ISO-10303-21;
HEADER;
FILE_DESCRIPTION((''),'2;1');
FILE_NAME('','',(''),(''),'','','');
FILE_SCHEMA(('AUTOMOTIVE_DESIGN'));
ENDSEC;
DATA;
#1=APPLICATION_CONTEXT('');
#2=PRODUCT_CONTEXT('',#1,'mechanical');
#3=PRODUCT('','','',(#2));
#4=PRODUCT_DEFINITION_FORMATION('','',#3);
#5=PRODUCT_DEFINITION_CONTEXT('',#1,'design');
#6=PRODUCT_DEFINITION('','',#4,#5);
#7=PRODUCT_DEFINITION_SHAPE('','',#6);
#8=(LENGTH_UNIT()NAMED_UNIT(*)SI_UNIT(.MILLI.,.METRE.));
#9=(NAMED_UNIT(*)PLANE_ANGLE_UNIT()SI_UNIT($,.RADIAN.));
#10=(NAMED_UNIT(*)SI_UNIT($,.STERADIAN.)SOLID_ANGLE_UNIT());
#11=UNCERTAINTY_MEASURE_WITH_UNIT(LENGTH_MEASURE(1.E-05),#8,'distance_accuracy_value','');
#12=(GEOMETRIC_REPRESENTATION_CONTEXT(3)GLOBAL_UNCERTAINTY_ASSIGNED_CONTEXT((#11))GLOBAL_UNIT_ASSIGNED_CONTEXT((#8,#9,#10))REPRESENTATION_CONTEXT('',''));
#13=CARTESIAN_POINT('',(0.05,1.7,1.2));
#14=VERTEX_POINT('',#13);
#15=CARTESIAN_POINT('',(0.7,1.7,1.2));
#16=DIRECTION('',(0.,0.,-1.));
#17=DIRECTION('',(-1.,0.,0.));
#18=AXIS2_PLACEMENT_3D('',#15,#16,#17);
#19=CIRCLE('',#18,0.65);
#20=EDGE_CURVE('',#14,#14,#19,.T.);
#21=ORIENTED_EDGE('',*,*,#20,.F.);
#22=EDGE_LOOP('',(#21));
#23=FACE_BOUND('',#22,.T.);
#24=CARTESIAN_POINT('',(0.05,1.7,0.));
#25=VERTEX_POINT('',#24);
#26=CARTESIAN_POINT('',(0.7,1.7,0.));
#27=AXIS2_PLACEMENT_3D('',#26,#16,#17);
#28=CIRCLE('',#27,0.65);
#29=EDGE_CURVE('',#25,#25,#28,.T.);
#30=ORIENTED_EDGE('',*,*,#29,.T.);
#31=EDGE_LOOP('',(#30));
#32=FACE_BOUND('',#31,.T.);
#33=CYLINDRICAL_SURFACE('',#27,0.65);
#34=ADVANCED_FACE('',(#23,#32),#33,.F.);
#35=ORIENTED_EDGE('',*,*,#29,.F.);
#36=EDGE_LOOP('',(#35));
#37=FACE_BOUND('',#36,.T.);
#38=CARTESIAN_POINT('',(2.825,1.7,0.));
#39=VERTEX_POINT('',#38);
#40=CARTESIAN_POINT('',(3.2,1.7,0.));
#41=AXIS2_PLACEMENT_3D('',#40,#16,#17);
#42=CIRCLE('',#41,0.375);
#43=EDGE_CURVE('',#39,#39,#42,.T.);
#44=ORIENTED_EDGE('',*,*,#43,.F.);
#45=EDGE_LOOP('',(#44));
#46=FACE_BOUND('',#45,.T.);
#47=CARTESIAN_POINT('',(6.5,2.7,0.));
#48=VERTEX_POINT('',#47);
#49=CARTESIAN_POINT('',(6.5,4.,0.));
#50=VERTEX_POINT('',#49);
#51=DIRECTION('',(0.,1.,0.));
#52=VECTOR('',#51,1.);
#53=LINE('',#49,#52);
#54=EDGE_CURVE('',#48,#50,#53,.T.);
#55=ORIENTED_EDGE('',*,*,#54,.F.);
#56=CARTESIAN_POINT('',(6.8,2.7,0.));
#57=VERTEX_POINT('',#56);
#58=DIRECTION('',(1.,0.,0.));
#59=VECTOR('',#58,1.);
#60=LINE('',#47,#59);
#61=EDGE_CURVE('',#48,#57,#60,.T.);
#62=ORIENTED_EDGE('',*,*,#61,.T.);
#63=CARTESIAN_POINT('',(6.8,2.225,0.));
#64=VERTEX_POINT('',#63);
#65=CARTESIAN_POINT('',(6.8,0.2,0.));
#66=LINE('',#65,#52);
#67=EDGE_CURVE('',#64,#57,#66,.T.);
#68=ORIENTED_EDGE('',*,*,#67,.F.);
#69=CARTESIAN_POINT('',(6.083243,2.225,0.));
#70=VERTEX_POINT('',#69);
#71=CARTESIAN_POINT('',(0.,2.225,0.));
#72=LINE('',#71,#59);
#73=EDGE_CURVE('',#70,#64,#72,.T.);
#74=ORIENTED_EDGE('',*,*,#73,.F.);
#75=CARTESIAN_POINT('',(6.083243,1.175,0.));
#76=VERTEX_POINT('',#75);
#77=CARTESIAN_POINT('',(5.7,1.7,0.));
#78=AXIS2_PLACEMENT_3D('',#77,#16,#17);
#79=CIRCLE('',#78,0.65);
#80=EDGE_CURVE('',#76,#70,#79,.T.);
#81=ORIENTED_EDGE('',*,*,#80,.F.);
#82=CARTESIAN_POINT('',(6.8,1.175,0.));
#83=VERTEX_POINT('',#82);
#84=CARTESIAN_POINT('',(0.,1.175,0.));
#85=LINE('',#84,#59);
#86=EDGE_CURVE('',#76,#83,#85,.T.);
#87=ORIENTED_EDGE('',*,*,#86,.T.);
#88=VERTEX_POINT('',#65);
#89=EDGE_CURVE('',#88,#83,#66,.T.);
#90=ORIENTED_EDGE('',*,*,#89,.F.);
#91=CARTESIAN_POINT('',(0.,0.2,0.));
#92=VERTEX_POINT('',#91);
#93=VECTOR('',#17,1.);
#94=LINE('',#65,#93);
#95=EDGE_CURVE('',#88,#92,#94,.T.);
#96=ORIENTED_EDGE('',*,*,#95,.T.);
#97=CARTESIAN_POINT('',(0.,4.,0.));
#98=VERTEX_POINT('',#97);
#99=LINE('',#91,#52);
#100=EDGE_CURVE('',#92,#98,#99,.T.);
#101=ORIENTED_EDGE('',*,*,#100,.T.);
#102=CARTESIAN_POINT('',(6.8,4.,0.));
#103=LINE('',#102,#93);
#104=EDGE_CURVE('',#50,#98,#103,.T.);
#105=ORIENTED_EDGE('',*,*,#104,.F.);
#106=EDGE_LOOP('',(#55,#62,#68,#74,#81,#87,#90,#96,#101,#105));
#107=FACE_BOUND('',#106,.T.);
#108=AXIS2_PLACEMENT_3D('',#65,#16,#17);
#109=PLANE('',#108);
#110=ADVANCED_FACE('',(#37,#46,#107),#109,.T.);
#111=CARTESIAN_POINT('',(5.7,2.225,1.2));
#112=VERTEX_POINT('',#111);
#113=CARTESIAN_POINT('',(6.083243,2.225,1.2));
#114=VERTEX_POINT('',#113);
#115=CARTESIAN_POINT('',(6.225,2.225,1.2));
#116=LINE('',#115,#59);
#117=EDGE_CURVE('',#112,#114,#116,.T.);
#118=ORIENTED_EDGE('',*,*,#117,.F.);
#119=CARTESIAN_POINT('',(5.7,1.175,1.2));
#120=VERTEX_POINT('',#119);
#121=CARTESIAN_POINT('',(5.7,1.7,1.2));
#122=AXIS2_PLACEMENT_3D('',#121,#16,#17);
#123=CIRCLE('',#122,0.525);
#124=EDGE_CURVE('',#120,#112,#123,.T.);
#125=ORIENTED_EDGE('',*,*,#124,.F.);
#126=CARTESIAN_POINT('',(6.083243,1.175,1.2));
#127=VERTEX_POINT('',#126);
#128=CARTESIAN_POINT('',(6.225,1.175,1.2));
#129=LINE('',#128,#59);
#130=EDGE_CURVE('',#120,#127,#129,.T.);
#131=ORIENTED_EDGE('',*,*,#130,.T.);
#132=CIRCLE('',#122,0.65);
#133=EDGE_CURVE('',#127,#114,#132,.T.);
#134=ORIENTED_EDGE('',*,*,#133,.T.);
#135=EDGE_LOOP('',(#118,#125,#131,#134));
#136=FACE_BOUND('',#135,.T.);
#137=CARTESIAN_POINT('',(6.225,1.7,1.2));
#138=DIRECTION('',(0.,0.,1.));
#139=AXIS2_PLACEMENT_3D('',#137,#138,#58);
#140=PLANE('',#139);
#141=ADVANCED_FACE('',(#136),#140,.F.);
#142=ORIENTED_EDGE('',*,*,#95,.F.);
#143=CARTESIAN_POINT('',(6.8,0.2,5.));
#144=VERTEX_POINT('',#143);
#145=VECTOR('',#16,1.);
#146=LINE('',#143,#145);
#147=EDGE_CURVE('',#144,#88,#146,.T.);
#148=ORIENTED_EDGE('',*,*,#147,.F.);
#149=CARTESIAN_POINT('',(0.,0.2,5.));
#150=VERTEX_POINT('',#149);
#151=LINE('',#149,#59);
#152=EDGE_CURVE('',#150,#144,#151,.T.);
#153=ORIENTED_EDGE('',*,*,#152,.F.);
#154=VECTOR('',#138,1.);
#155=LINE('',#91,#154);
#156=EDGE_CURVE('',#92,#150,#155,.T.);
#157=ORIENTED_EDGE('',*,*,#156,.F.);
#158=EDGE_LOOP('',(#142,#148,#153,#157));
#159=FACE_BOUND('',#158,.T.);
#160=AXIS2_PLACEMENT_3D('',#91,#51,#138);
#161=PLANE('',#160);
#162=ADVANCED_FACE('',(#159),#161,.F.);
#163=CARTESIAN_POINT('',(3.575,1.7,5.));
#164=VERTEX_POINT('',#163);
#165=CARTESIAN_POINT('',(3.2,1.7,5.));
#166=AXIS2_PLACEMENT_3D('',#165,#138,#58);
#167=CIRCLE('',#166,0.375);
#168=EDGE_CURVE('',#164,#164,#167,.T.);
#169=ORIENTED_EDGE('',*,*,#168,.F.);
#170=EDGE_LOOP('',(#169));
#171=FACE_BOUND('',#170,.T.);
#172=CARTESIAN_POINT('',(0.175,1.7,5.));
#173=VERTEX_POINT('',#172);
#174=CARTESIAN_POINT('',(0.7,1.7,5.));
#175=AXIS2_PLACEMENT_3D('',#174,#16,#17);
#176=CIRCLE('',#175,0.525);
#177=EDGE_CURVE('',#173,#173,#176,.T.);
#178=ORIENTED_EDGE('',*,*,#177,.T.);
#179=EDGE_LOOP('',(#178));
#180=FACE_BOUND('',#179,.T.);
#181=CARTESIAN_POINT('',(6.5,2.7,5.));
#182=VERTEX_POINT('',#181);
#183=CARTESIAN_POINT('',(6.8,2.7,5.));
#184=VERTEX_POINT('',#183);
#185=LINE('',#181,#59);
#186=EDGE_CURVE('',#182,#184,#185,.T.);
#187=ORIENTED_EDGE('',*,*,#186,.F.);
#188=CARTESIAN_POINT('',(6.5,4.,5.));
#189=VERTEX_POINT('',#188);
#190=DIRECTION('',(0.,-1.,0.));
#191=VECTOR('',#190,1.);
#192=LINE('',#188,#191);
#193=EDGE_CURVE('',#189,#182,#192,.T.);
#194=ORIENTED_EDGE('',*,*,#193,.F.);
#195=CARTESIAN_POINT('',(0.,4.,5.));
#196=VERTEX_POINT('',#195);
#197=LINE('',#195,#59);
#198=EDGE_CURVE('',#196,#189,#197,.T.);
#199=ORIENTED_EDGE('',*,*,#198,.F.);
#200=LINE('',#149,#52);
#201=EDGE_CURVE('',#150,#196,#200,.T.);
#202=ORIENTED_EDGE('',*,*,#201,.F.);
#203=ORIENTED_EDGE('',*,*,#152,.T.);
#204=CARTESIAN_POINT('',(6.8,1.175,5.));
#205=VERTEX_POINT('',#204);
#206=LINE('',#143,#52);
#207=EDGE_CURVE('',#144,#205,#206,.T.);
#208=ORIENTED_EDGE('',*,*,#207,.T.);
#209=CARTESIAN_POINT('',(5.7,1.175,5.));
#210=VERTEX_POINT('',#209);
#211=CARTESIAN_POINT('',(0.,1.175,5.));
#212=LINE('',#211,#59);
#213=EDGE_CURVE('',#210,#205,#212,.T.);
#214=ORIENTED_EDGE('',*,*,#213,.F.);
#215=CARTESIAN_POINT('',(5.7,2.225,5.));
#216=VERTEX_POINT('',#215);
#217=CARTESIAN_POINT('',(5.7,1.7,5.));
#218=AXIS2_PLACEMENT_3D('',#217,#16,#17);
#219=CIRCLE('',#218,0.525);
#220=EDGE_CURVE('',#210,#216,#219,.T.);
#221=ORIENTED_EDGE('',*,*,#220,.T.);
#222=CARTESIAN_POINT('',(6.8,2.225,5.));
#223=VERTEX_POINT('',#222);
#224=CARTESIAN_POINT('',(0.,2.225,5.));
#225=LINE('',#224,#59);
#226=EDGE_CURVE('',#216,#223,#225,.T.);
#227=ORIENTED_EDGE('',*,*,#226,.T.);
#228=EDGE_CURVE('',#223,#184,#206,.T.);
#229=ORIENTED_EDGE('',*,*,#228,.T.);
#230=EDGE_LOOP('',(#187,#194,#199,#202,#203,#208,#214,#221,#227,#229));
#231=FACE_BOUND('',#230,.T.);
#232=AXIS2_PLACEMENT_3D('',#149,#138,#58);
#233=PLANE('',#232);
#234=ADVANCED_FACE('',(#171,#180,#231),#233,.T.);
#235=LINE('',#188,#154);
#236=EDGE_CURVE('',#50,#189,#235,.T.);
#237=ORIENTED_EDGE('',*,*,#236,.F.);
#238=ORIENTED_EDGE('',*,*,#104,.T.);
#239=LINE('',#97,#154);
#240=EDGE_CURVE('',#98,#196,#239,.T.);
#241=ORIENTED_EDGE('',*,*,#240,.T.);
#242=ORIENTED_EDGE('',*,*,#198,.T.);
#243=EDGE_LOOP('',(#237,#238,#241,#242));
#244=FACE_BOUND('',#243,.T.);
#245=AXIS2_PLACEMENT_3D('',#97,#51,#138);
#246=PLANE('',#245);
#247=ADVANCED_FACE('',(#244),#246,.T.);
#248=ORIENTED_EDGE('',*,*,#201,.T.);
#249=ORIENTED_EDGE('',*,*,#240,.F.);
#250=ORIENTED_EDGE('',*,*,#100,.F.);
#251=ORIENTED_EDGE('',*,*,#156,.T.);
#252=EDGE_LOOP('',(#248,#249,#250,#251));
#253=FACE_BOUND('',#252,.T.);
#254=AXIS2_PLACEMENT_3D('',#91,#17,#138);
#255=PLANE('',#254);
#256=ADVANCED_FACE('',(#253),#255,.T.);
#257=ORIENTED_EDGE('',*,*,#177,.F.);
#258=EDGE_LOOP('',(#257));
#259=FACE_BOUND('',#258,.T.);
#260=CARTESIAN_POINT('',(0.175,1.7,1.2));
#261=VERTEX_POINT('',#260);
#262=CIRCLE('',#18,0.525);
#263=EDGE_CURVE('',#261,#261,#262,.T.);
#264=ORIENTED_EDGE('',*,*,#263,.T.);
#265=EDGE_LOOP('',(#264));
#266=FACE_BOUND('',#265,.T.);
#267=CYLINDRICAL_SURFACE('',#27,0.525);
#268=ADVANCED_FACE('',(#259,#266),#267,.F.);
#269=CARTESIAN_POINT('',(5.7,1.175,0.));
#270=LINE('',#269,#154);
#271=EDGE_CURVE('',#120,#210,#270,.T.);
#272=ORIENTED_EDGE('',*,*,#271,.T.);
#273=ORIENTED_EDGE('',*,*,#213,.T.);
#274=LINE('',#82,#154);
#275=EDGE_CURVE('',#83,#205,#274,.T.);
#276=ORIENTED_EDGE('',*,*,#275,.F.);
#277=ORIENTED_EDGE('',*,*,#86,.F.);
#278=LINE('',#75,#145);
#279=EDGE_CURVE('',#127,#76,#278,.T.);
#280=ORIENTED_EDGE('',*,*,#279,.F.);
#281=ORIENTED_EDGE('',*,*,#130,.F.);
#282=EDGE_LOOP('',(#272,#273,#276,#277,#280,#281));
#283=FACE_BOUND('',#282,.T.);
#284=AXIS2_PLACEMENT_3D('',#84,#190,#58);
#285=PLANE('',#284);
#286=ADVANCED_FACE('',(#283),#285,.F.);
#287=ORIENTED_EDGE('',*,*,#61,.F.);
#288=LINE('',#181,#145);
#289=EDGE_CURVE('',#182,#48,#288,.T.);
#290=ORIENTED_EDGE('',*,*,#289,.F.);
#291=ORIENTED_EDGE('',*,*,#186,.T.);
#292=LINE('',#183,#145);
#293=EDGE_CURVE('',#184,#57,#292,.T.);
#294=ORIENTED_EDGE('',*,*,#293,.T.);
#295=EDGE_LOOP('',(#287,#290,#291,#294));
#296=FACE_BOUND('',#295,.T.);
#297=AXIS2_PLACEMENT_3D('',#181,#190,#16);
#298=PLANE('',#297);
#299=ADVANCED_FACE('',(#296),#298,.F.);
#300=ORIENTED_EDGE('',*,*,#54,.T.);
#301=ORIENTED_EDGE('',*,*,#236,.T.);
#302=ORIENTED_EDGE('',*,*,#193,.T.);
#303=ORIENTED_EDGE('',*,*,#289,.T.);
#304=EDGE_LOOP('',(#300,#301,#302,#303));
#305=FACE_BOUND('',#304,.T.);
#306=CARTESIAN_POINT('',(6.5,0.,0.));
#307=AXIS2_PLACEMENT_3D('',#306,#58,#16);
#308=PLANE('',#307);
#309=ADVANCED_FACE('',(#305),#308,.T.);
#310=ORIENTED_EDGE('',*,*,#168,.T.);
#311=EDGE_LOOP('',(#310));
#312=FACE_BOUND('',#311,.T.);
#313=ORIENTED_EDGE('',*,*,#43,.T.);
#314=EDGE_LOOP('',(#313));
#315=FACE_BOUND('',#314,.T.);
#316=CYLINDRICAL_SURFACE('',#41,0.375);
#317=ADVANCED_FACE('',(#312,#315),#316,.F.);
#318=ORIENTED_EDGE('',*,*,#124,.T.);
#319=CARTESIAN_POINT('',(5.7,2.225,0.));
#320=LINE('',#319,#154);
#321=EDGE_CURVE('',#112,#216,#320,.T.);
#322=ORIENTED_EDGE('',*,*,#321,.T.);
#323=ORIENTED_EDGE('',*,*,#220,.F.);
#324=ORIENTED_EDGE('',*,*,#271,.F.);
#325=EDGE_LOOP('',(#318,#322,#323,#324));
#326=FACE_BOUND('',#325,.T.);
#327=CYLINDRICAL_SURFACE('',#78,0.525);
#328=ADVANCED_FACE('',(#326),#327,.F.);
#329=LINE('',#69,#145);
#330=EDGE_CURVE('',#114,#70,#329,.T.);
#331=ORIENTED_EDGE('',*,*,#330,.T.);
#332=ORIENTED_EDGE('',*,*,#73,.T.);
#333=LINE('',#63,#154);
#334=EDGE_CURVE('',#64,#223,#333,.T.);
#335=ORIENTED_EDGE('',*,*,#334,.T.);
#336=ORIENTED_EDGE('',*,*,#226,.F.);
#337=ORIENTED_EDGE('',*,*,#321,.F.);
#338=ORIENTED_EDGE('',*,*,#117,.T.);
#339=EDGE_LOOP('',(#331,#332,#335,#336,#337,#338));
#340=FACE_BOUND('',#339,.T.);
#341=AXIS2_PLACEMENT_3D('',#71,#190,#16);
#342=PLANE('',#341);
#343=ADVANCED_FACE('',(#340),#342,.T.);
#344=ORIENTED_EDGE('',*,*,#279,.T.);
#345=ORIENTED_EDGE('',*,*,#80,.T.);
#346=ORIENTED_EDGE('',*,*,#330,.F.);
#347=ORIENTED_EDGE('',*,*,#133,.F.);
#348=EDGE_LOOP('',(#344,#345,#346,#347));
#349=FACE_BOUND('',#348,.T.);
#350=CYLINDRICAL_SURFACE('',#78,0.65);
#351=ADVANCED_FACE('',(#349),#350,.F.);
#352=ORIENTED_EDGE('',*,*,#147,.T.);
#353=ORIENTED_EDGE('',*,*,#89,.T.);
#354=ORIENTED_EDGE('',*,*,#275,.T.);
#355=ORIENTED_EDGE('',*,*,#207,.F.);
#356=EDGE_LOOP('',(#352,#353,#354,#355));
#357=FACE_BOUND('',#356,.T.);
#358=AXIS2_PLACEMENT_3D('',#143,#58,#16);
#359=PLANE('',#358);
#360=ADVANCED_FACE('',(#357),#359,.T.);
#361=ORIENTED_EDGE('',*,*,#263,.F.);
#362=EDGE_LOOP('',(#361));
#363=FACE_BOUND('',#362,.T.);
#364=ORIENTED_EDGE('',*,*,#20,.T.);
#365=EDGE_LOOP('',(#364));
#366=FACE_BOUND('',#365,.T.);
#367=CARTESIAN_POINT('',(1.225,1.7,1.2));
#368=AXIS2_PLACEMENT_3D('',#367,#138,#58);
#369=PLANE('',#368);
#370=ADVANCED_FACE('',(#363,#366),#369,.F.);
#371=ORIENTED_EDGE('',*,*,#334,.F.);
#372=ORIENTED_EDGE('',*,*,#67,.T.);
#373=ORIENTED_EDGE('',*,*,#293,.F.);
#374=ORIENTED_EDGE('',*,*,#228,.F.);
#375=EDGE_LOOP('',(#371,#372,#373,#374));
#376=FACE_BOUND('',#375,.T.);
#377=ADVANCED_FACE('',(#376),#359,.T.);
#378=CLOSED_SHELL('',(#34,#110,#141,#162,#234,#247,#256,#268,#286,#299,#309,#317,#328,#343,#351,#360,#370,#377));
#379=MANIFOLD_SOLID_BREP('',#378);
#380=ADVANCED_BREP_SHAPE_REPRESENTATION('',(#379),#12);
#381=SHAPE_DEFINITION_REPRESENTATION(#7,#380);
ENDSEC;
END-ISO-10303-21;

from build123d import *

# Parameters (mm, degrees)
SKETCH1_W                = 6.8
SKETCH1_H                = 5
BOSS_EXTRUDE1_DEPTH      = 3.8
HOLE1_D                  = 1.05
HOLE1_CBORE_D            = 1.3
HOLE1_CBORE_DEPTH        = 1.2
CUT_EXTRUDE8_DEPTH       = 10.340235543
SKETCH20_W               = 5
SKETCH20_H               = 1.3
CUT_EXTRUDE11_DEPTH      = 0.3
M1_0X0_25_TAPPED_HOLE1_D = 0.75


with BuildPart() as part:
    # Sketch1 → Boss-Extrude1 (new body)
    with BuildSketch(Plane(origin=(0, 4, 0), x_dir=(-1, 0, 0), z_dir=(0, 1, 0))):
        with Locations((-3.4, 2.5)):
            Rectangle(SKETCH1_W, SKETCH1_H)
    extrude(amount=-BOSS_EXTRUDE1_DEPTH)

    # Hole1 (through all)
    with Locations(Plane(origin=(0, 0, 0), x_dir=(-1, 0, 0), z_dir=(0, 0, -1))):
        with Locations((-5.7, 1.7), (-0.7, 1.7)):
            CounterBoreHole(HOLE1_D / 2, HOLE1_CBORE_D / 2, HOLE1_CBORE_DEPTH)

    # Sketch17 → Cut-Extrude8 (cut, through all)
    with BuildSketch(Plane.XY.offset(5)):
        with BuildLine():
            Line((6.8, 2.225), (5.7, 2.225))
            ThreePointArc((5.7, 2.225), (6.07123106, 2.07123106), (6.225, 1.7))
            ThreePointArc((6.225, 1.7), (6.07123106, 1.32876894), (5.7, 1.175))
            Line((5.7, 1.175), (6.8, 1.175))
            Line((6.8, 1.175), (6.8, 2.225))
        make_face()
        with BuildLine():
            ThreePointArc((6.225, 1.7), (6.07123106, 2.07123106), (5.7, 2.225))
            Line((5.7, 2.225), (5.7, 1.175))
            ThreePointArc((5.7, 1.175), (6.07123106, 1.32876894), (6.225, 1.7))
        make_face()
        with BuildLine():
            Line((5.7, 1.175), (5.7, 2.225))
            ThreePointArc((5.7, 2.225), (5.175, 1.7), (5.7, 1.175))
        make_face()
    extrude(amount=-CUT_EXTRUDE8_DEPTH, mode=Mode.SUBTRACT)

    # Sketch20 → Cut-Extrude11 (cut)
    with BuildSketch(Plane(origin=(6.8, 0, 0), x_dir=(0, 0, -1), z_dir=(1, 0, 0))):
        with Locations((-2.5, 3.35)):
            Rectangle(SKETCH20_W, SKETCH20_H)
    extrude(amount=-CUT_EXTRUDE11_DEPTH, mode=Mode.SUBTRACT)

    # M1.0x0.25 Tapped Hole1 (through all)
    with Locations(Plane(origin=(0, 0, 0), x_dir=(-1, 0, 0), z_dir=(0, 0, -1))):
        with Locations((-3.2, 1.7)):
            Hole(M1_0X0_25_TAPPED_HOLE1_D / 2)


solid = part.part
